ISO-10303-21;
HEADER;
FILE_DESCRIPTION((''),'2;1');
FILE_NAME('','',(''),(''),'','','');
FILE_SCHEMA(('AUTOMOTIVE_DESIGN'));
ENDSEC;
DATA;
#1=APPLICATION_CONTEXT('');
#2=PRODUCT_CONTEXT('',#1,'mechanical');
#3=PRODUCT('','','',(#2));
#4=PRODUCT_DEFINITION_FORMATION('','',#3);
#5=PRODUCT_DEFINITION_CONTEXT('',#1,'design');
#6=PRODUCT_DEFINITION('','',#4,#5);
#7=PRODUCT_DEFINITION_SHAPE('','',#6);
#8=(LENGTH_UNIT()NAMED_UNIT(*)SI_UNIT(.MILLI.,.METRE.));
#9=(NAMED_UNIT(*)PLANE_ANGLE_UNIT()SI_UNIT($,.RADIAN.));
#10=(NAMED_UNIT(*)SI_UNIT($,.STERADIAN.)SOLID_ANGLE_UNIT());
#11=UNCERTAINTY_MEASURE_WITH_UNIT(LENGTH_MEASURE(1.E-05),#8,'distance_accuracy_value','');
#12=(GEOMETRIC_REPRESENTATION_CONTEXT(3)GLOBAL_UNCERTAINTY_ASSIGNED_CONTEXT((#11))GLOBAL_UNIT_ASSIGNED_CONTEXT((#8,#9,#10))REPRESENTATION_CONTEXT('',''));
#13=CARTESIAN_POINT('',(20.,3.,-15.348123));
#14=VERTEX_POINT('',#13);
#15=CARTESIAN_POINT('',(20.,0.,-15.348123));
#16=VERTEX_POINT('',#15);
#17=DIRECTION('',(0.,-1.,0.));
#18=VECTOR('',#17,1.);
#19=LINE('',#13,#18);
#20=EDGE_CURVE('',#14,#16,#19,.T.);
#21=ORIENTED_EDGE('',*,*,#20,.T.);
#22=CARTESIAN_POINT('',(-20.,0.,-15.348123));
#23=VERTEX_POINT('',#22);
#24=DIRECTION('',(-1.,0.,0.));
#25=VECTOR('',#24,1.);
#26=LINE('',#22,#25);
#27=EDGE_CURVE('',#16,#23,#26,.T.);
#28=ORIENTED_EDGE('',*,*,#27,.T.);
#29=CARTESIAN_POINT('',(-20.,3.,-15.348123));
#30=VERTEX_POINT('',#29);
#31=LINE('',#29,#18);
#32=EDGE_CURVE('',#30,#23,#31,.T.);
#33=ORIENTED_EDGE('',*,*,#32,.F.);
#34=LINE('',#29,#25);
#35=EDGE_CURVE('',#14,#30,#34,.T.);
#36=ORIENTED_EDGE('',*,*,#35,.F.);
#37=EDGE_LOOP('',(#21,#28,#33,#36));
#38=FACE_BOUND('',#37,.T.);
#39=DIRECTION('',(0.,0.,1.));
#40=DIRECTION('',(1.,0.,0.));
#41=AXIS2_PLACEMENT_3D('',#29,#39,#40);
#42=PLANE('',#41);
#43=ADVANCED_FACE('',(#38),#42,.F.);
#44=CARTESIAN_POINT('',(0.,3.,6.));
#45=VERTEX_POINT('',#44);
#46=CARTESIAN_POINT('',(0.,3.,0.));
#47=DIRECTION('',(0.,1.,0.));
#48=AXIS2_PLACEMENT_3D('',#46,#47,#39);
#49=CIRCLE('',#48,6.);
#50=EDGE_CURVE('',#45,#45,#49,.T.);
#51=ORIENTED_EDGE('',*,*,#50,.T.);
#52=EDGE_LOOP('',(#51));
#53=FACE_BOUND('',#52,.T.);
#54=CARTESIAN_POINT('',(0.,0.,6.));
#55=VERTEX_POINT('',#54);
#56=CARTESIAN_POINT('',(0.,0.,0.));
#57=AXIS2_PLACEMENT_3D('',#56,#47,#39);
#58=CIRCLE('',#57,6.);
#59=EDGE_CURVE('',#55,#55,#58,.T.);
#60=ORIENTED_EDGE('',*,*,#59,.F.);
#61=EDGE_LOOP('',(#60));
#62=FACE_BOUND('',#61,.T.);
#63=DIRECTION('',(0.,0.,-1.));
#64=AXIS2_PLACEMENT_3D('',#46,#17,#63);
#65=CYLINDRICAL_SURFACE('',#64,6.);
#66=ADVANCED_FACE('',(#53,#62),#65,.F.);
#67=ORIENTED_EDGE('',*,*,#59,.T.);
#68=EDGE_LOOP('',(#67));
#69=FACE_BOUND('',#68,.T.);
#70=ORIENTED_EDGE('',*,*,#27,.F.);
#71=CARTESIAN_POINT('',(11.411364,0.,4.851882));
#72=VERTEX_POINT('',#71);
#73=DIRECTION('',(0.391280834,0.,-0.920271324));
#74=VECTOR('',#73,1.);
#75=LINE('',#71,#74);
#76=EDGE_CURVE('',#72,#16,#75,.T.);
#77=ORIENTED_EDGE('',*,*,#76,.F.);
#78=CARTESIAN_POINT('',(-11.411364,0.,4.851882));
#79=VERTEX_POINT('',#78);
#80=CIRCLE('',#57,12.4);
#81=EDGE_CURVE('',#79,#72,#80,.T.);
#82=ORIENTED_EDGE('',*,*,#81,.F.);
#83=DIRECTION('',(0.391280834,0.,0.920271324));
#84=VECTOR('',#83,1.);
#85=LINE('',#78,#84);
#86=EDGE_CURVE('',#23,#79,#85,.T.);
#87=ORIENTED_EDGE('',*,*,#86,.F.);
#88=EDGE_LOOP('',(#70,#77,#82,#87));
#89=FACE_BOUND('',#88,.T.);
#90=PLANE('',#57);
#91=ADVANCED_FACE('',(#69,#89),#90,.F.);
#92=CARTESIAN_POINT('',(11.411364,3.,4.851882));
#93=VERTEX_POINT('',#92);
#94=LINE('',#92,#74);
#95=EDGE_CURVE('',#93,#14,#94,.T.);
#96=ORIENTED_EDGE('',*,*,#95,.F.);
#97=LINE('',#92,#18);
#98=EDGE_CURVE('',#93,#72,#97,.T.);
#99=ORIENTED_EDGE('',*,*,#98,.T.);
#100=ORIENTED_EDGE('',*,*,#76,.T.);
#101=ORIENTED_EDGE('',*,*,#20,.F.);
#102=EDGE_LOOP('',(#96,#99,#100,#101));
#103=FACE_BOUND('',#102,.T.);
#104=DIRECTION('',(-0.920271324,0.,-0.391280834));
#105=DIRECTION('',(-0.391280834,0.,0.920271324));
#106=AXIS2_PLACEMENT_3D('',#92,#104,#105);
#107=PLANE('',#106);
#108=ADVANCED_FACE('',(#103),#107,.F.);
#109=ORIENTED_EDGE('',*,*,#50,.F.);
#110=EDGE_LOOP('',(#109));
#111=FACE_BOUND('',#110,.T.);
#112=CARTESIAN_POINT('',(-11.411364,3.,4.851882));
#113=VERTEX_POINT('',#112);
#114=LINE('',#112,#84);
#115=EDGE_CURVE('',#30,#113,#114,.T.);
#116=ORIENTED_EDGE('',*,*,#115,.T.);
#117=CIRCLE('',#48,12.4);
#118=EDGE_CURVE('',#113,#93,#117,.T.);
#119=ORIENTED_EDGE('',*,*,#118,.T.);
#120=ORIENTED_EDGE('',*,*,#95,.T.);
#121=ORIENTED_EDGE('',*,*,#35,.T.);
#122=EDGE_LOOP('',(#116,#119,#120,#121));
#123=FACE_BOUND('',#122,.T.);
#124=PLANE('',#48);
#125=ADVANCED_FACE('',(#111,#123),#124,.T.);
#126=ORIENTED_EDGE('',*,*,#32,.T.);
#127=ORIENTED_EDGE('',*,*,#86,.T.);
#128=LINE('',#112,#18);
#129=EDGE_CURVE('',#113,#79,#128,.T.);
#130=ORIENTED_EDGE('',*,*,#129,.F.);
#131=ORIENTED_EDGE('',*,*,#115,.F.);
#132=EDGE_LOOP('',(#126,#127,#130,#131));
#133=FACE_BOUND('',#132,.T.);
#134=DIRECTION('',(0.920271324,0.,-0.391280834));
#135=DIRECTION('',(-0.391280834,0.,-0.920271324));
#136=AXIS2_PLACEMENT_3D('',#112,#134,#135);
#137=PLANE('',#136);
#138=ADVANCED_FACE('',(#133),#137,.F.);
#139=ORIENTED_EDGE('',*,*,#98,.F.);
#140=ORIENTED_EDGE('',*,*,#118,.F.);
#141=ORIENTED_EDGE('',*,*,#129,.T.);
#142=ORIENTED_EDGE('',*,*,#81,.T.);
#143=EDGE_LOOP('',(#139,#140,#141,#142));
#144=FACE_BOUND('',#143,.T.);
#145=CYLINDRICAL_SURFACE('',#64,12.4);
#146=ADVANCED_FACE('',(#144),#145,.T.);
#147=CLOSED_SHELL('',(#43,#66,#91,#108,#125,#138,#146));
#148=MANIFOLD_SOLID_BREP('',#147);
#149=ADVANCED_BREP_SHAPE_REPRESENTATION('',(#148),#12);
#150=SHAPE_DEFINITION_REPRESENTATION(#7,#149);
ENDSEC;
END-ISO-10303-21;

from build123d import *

# Parameters (mm, degrees)
SKETCH1_R           = 6
BOSS_EXTRUDE1_DEPTH = 3


with BuildPart() as part:
    # Sketch1 → Boss-Extrude1 (new body)
    with BuildSketch(Plane(origin=(0, 0, 0), x_dir=(1, 0, 0), z_dir=(0, 1, 0))):
        with BuildLine():
            Line((-20, 15.348123269), (20, 15.348123269))
            Line((20, 15.348123269), (11.411364412, -4.85188234))
            ThreePointArc((11.411364412, -4.85188234), (0, -12.4), (-11.411364412, -4.85188234))
            Line((-11.411364412, -4.85188234), (-20, 15.348123269))
        make_face()
        with Locations(Location((0, 0, 0), (0, 0, 270))):
            Circle(SKETCH1_R, mode=Mode.SUBTRACT)
    extrude(amount=BOSS_EXTRUDE1_DEPTH)


solid = part.part
